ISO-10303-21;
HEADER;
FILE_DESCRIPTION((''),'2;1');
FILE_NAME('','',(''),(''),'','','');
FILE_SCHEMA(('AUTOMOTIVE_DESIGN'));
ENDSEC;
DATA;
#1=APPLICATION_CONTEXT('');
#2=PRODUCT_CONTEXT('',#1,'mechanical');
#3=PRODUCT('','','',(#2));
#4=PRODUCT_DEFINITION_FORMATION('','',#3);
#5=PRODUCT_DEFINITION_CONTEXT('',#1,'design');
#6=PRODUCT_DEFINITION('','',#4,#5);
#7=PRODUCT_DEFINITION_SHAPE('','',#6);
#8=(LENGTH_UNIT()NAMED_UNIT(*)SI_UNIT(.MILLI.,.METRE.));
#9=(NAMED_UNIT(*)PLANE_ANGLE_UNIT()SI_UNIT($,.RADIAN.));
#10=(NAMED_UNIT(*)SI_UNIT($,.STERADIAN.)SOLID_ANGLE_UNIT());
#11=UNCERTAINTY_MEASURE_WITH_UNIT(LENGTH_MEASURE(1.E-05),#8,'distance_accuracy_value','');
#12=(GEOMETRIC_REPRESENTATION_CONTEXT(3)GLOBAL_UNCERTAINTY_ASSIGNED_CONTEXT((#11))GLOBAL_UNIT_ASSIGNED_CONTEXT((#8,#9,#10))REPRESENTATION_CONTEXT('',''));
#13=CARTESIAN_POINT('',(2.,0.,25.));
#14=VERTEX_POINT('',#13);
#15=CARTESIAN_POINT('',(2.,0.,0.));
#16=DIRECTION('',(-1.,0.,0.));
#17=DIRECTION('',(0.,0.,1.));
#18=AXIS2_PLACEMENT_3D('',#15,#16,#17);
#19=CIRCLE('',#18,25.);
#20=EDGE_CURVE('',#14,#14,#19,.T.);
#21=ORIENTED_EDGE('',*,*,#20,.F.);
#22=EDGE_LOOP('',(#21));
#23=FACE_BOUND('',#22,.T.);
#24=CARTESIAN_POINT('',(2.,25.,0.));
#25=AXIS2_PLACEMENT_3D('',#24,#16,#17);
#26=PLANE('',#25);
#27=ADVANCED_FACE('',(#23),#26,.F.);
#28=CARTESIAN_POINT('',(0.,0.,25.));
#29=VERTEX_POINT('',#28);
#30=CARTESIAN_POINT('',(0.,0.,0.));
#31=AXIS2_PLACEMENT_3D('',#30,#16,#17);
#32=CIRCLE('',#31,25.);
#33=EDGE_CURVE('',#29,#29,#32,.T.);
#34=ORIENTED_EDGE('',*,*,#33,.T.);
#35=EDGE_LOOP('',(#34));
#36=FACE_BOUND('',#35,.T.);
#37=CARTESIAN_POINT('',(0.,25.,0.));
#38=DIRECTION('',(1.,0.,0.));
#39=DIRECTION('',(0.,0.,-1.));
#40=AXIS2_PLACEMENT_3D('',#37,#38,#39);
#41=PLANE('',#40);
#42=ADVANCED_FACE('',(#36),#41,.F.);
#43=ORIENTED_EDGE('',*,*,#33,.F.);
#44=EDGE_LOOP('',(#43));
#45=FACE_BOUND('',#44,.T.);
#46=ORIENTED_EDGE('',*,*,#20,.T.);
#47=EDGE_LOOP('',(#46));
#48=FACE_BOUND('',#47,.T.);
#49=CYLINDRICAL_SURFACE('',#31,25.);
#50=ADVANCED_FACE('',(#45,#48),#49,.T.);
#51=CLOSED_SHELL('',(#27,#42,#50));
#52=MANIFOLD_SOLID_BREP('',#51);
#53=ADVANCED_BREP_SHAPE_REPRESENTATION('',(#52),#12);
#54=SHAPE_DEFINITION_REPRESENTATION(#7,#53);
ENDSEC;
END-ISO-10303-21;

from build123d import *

# Parameters (mm, degrees)
SKETCH_1_W = 2
SKETCH_1_H = 25


with BuildPart() as part:
    # 草图1 → 旋转2 (revolve)
    with BuildSketch(Plane.XY, mode=Mode.PRIVATE) as revolve_2_sk:
        with Locations((1, 12.5)):
            Rectangle(SKETCH_1_W, SKETCH_1_H)
    revolve(revolve_2_sk.sketch.rotate(Axis((0, 0, 0), (1, 0, 0)), 90), axis=Axis((0, 0, 0), (1, 0, 0)))  # turned: the seam where the file's is


solid = part.part
